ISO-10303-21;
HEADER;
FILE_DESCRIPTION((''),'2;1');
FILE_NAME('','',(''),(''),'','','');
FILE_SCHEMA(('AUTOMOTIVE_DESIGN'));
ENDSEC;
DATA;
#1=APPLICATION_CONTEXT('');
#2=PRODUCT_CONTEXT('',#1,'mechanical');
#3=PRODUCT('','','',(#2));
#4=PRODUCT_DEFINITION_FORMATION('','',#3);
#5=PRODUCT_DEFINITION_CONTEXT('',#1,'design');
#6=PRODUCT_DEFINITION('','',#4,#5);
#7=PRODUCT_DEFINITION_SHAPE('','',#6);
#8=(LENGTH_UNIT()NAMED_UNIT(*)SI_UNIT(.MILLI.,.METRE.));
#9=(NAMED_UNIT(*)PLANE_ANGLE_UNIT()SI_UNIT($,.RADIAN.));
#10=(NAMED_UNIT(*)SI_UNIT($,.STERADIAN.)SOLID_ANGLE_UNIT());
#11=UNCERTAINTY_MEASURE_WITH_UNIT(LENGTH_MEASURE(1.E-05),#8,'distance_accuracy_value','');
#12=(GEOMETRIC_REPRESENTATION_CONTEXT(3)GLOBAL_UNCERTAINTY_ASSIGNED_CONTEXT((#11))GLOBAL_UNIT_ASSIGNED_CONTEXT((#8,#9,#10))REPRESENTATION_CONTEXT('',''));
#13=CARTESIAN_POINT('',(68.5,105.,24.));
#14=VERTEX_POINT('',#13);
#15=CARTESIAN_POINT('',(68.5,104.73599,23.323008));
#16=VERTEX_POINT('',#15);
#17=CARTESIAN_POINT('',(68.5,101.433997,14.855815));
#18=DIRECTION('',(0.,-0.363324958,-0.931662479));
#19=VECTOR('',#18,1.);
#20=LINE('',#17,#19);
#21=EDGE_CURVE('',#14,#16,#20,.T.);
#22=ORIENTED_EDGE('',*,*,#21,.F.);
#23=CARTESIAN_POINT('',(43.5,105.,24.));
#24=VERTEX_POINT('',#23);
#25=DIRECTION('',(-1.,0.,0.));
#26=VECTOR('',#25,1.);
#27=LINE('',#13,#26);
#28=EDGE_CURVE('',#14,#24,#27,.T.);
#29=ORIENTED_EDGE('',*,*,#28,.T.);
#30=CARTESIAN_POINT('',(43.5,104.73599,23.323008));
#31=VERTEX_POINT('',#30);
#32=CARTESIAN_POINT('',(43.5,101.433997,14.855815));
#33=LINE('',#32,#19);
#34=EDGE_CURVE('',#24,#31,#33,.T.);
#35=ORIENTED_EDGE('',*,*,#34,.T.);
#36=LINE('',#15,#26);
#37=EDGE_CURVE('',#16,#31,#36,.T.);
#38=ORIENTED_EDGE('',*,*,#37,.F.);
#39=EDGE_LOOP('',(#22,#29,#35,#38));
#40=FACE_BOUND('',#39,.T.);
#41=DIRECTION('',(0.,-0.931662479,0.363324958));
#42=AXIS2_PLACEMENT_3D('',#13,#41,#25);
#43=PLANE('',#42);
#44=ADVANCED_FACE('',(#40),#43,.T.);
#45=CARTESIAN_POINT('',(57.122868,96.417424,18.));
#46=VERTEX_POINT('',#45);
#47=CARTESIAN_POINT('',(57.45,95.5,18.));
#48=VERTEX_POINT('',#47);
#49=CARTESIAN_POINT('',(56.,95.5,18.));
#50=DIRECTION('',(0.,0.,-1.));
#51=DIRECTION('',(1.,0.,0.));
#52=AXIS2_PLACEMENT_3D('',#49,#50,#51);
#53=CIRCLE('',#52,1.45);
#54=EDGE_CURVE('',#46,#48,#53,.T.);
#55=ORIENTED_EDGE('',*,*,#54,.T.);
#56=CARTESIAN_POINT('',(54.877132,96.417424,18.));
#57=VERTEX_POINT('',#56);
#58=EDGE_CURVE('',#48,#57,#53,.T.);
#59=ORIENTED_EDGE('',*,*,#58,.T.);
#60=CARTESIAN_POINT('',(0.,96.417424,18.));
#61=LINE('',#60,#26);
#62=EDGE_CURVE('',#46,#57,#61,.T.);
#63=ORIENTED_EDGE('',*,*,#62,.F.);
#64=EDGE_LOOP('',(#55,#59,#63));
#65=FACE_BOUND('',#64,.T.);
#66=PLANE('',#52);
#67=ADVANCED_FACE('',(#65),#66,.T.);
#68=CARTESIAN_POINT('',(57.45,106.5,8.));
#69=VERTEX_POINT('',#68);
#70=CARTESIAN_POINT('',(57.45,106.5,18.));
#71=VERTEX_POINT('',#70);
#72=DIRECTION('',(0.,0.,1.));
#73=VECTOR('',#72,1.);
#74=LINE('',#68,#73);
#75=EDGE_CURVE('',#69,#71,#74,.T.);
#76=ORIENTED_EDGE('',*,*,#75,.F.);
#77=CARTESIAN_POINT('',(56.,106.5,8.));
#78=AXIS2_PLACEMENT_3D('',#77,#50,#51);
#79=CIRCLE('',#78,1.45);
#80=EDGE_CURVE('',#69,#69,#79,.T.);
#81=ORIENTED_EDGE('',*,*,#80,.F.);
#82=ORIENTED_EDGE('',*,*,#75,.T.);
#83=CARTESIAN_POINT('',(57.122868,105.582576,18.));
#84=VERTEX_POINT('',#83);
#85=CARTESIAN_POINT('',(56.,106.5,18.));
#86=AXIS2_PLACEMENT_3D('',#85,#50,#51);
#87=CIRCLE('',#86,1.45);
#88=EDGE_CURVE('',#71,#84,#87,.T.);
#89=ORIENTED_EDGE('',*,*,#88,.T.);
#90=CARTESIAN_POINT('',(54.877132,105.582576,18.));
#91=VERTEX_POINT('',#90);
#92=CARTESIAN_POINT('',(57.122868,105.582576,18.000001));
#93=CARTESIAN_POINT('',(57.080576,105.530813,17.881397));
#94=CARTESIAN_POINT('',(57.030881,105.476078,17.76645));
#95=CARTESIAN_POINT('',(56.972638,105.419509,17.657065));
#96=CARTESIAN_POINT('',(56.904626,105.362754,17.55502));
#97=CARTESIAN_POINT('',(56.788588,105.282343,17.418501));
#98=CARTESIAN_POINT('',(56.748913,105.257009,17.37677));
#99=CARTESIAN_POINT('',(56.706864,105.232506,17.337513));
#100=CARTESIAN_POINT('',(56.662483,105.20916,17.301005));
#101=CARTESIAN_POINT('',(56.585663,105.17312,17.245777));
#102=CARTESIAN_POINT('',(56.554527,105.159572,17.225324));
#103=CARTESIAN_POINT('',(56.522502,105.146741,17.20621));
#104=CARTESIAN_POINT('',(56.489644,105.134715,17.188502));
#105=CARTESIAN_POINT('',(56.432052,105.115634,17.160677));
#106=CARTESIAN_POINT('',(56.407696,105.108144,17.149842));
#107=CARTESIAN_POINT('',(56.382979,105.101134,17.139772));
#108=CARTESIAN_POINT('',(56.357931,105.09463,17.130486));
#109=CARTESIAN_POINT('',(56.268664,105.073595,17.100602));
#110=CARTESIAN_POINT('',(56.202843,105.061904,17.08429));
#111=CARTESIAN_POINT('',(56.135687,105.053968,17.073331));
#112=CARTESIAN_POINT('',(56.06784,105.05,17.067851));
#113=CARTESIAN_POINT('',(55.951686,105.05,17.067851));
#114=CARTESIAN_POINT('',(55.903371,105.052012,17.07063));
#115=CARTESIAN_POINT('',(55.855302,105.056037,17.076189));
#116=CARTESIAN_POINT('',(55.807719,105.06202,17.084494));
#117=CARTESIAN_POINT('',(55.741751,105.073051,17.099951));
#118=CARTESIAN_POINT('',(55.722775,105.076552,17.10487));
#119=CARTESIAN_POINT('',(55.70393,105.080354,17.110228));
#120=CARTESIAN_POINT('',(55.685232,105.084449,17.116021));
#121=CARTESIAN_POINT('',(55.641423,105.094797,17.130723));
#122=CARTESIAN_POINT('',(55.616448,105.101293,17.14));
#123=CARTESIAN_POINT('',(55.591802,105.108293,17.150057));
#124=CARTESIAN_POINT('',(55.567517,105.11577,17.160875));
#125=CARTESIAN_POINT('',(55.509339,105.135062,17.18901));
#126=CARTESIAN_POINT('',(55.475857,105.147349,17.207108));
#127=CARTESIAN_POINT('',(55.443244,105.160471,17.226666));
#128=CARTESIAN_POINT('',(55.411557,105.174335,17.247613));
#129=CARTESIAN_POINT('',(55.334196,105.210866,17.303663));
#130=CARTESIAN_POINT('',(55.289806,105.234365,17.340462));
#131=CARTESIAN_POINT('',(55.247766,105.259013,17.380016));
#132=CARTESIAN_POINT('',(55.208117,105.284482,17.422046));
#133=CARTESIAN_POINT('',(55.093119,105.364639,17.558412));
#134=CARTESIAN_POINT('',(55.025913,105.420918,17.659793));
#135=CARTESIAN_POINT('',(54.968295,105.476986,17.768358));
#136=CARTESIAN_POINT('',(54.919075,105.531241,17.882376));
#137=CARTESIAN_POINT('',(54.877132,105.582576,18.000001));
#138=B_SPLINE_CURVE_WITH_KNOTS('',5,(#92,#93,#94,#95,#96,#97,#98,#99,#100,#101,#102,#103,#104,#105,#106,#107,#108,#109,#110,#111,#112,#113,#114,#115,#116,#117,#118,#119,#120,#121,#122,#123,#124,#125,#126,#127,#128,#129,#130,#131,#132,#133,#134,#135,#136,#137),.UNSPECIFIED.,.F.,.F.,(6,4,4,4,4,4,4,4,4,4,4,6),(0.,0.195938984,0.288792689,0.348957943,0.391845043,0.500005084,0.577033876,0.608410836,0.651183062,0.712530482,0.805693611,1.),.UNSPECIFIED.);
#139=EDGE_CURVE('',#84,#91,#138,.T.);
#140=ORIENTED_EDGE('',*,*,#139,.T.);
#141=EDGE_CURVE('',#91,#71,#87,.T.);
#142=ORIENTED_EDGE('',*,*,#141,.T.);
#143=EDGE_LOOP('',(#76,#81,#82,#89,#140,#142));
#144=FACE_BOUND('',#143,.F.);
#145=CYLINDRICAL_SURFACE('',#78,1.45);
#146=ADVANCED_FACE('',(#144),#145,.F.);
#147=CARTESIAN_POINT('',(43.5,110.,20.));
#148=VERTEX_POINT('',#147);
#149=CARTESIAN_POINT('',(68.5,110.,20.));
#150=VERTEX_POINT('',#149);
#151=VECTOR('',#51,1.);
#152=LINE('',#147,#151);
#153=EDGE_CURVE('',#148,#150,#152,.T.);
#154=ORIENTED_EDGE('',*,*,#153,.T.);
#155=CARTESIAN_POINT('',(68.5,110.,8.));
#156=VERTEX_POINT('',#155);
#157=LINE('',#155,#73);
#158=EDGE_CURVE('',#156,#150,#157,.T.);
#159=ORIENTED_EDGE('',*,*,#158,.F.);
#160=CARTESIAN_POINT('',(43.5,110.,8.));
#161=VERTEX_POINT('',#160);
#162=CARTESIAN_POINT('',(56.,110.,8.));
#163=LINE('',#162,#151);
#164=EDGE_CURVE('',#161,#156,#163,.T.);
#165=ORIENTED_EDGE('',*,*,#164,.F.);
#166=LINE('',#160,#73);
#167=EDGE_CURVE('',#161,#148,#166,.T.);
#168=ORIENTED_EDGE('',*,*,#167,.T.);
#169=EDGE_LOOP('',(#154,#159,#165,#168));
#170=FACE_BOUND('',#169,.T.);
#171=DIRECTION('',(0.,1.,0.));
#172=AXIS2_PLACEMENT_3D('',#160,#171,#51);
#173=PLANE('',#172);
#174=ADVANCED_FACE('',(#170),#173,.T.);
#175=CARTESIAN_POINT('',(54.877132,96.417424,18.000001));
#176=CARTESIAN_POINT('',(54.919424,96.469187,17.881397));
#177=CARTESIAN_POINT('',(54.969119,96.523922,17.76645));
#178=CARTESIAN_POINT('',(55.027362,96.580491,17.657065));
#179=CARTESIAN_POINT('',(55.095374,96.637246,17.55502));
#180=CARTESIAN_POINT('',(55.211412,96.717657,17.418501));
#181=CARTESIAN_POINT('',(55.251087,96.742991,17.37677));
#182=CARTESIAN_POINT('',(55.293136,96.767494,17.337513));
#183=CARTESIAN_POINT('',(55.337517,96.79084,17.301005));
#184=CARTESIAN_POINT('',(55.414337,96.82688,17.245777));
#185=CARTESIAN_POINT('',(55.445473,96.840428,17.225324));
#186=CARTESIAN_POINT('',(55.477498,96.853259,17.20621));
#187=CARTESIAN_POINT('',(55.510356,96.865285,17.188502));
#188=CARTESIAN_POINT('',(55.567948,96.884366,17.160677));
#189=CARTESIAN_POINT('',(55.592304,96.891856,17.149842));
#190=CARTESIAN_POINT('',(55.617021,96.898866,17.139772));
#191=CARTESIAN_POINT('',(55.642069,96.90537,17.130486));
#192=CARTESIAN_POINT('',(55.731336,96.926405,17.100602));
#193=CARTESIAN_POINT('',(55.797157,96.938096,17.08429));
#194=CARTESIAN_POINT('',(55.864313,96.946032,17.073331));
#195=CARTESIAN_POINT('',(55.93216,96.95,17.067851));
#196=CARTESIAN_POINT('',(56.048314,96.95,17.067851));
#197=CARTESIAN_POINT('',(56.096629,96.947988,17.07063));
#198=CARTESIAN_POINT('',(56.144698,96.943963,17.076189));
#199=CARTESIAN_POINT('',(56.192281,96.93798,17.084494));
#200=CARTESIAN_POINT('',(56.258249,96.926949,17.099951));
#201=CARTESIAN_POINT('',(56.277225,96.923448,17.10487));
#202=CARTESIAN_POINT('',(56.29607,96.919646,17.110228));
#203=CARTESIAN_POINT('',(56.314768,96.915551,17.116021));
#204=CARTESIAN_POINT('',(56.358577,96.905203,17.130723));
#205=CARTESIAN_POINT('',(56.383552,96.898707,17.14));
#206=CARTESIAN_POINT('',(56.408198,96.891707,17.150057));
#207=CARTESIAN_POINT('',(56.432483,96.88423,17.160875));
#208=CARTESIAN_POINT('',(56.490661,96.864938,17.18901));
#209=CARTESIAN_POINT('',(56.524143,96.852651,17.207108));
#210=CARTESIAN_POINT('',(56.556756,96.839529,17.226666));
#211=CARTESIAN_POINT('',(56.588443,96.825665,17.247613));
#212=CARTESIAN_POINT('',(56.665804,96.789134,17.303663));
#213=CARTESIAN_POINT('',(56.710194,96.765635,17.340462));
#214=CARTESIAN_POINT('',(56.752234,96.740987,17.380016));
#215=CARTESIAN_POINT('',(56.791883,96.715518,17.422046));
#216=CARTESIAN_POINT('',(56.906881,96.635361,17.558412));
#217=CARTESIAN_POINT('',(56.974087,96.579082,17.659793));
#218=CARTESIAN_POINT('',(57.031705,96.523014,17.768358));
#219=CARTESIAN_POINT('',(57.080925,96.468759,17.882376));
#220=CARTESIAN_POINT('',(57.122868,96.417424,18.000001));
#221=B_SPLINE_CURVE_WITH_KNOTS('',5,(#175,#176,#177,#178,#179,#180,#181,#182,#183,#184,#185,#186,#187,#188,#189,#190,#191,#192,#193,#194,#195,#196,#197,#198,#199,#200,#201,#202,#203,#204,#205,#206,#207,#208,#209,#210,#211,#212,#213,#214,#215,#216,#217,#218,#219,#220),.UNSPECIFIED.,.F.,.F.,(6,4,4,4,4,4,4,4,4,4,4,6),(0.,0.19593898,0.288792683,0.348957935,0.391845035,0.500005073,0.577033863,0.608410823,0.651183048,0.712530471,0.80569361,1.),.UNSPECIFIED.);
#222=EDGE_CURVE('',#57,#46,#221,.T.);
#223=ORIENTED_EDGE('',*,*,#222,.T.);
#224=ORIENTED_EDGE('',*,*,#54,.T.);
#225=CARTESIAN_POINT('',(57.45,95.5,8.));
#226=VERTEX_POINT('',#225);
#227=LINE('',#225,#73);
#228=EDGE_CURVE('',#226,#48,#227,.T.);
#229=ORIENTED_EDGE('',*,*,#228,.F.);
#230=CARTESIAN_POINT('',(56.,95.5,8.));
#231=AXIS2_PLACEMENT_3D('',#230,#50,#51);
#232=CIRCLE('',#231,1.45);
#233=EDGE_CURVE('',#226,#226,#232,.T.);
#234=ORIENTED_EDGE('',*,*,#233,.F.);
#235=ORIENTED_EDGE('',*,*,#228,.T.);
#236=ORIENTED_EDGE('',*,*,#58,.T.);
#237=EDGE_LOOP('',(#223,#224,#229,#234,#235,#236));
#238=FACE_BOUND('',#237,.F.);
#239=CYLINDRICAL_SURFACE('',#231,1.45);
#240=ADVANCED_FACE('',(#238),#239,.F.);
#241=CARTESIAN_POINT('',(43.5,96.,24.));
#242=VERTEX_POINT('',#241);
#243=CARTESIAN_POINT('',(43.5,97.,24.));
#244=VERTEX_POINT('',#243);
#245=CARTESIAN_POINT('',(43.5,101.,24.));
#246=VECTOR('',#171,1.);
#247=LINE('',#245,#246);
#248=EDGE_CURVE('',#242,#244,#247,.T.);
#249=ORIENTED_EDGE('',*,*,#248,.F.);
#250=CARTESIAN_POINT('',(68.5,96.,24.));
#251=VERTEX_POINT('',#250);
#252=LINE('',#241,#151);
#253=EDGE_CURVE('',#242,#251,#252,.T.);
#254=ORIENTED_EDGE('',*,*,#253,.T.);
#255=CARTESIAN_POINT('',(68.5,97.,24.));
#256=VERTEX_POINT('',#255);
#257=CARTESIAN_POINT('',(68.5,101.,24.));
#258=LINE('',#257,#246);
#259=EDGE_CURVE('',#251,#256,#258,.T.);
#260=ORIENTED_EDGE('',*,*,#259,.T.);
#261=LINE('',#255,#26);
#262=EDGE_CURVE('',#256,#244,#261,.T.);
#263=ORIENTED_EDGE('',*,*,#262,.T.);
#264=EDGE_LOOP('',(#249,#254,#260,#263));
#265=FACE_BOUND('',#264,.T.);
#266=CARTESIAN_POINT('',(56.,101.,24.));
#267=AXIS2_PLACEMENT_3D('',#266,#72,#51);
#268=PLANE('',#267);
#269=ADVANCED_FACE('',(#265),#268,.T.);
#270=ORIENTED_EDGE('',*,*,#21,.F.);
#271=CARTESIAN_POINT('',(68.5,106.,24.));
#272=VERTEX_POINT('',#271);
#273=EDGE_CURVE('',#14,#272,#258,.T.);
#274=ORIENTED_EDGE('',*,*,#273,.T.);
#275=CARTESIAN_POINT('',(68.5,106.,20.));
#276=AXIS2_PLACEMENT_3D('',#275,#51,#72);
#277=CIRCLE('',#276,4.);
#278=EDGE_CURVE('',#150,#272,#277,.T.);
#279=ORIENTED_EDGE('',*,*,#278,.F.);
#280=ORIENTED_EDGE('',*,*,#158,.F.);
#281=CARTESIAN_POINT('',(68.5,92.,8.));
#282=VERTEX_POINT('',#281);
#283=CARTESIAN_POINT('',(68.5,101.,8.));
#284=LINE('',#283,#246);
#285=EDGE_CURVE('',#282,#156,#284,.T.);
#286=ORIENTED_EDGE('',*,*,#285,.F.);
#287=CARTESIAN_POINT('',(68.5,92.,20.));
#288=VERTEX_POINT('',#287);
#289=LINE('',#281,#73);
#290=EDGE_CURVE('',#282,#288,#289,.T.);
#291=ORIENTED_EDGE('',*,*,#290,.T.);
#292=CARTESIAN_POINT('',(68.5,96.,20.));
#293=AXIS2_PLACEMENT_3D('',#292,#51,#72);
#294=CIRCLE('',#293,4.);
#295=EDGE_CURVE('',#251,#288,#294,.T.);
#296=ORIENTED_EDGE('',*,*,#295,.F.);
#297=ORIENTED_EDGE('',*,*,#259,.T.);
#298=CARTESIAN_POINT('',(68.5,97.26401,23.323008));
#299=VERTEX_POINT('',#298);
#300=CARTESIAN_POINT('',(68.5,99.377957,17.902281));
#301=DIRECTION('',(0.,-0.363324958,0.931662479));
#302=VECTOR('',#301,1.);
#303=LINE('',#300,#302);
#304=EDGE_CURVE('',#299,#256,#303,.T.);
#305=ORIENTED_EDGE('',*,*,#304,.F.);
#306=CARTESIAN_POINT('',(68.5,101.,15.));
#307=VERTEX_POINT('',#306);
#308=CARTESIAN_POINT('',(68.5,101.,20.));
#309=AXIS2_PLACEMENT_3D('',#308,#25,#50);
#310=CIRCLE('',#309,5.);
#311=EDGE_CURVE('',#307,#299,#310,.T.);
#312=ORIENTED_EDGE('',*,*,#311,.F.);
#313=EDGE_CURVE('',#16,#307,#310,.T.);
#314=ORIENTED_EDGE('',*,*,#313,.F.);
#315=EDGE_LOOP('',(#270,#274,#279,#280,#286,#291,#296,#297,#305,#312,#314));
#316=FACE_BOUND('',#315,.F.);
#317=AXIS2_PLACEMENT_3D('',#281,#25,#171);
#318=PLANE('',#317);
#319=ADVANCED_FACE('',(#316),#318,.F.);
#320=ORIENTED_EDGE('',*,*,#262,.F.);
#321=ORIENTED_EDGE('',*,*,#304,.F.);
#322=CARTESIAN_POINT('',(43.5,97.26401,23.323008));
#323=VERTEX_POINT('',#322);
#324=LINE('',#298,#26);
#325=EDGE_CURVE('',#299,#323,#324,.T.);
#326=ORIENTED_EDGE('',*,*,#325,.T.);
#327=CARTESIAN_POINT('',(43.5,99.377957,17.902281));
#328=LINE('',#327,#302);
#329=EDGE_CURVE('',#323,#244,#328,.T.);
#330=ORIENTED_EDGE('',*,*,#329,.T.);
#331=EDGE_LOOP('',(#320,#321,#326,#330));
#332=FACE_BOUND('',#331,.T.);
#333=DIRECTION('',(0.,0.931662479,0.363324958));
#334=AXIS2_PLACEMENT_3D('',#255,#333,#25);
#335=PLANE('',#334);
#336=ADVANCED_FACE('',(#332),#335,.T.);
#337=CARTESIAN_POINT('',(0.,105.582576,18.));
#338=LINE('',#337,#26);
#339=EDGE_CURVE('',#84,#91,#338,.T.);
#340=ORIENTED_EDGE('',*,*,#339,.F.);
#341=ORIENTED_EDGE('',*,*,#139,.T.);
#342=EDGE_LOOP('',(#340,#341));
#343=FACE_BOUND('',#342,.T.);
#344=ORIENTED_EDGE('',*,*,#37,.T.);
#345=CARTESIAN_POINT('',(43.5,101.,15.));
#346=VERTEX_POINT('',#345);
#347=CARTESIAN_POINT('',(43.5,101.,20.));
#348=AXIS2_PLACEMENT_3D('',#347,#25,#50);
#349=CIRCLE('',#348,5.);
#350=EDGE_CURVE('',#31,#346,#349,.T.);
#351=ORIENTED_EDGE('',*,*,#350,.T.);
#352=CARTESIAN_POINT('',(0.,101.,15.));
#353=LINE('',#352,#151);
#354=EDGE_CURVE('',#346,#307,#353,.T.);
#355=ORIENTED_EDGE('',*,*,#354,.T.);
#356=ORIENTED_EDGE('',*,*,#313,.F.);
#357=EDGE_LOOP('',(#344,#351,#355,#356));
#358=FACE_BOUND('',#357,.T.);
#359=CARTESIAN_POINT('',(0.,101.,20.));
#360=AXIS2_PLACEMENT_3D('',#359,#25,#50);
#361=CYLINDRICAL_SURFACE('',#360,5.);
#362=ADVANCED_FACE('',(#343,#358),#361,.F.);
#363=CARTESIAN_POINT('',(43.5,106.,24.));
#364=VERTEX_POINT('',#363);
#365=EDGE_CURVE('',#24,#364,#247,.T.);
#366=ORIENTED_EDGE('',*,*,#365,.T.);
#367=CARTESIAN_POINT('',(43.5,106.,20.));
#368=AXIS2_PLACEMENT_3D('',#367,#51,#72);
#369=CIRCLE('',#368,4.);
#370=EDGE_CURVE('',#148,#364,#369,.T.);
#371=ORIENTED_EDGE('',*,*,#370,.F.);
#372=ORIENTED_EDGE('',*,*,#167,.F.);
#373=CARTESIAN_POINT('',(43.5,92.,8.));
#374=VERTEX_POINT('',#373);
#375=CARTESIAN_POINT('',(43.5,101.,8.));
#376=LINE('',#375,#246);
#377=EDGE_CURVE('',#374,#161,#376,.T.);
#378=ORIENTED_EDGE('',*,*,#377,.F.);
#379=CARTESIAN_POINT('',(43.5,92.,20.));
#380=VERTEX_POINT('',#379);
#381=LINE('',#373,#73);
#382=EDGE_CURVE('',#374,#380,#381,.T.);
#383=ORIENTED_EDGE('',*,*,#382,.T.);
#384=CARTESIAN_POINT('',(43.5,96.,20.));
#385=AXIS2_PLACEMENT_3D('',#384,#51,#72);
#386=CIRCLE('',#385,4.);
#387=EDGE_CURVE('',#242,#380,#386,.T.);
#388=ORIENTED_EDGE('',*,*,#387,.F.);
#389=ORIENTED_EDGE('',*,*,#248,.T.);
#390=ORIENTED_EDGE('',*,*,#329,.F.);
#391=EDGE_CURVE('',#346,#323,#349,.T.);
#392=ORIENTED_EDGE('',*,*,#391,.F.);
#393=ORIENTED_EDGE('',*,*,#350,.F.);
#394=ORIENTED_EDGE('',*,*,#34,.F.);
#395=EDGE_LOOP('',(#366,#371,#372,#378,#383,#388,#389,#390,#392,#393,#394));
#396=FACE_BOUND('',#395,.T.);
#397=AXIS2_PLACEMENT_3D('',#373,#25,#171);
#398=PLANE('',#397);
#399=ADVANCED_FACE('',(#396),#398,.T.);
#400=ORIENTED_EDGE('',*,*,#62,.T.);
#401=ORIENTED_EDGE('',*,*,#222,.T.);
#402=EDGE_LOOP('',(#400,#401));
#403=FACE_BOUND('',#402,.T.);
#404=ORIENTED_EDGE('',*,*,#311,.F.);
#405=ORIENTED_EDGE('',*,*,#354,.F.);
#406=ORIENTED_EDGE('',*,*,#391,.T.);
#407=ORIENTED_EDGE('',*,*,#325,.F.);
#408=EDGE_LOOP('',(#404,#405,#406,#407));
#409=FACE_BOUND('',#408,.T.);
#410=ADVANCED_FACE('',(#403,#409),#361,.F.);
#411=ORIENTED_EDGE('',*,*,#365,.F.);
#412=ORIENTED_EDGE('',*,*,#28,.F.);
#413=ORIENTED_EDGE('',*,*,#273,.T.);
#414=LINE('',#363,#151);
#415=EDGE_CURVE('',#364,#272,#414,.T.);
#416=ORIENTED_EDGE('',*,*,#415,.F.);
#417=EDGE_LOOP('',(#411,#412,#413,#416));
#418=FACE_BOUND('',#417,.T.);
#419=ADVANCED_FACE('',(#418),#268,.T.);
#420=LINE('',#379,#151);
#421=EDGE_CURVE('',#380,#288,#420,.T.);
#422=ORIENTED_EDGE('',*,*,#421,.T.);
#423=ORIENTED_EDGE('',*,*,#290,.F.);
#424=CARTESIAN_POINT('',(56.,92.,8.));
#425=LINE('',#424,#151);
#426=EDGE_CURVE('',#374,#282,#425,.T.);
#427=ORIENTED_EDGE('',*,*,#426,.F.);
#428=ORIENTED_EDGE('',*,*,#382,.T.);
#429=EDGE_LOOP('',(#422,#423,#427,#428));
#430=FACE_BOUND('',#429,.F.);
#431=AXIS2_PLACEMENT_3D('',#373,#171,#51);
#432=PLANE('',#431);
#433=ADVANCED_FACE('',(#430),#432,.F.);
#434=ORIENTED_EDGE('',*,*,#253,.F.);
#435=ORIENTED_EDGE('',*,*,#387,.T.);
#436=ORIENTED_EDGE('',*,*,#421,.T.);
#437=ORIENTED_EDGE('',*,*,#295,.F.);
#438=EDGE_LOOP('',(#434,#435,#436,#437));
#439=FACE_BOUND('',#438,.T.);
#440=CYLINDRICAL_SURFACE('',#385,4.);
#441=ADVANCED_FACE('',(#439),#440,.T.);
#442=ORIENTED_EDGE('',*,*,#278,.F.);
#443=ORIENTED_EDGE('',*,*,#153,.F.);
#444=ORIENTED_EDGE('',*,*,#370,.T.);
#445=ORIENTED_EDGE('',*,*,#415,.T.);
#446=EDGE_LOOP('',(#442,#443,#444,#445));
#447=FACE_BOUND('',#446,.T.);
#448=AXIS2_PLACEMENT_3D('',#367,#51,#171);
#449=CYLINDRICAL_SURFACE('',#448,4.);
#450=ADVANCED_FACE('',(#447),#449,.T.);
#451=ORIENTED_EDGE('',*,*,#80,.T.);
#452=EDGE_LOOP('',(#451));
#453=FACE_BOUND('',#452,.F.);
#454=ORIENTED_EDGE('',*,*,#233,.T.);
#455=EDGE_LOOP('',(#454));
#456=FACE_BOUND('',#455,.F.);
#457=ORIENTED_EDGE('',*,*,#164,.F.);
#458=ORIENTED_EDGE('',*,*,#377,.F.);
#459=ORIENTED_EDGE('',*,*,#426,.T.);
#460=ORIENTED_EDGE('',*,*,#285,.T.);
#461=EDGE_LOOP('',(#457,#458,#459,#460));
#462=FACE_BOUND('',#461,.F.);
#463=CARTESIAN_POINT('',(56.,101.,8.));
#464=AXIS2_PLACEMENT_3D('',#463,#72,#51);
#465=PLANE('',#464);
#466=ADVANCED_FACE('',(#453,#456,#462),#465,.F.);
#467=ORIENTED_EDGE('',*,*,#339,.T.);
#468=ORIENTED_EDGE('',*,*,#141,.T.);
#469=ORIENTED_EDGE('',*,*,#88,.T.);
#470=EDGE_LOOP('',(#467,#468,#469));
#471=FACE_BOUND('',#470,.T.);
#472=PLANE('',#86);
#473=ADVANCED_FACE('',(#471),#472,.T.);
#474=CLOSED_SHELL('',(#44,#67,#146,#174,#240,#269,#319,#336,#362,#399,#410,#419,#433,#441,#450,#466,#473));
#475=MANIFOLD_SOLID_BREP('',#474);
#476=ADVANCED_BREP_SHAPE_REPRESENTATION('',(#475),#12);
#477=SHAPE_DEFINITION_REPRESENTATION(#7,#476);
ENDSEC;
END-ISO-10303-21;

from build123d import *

# Parameters (mm, degrees)
CYLINDER_R           = 5
CYLINDER_DEPTH       = 200
CYLINDER_PITCH_ANGLE = 90
BOX004_W             = 25
BOX004_H             = 18
BOX004_DEPTH         = 16
SKETCH005_R          = 1.45
POCKET005_DEPTH      = 10
FILLET001_R          = 4
CHAMFER003_SIZE      = 1


with BuildPart() as cylinder:
    # Cylinder → Cylinder (new body)
    with BuildSketch(Plane.XY):
        Circle(CYLINDER_R)
    extrude(amount=CYLINDER_DEPTH)


with BuildPart() as cylinder_1:
    # Cylinder pitch: moved
    add(cylinder.part.rotate(Axis((0, 0, 0), (0, 1, 0)), CYLINDER_PITCH_ANGLE))


with BuildPart() as cylinder_2:
    # Cylinder placement: moved
    add(cylinder_1.part.moved(Location((0, 121, 20))))


with BuildPart() as chamfer003:
    # Box004 → Box004 (new body)
    with BuildSketch(Plane(origin=(43.5, 112, 8), x_dir=(1, 0, 0), z_dir=(0, 0, 1))):
        with Locations((12.5, 9)):
            Rectangle(BOX004_W, BOX004_H)
    extrude(amount=BOX004_DEPTH)

    # Sketch005 → Pocket005 (cut)
    with BuildSketch(Plane(origin=(43.5, 112, 8), x_dir=(1, 0, 0), z_dir=(0, 0, -1))):
        with Locations((12.5, -3.5)):
            Circle(SKETCH005_R)
        with Locations((12.5, -14.5)):
            Circle(SKETCH005_R)
    extrude(amount=-POCKET005_DEPTH, mode=Mode.SUBTRACT)

    # Cut: cut Cylinder
    add(cylinder_2.part, mode=Mode.SUBTRACT)


with BuildPart() as chamfer003_1:
    # Cut placement: moved
    add(chamfer003.part.moved(Location((0, -20, 0))))

    # Fillet001
    fillet001_edges = [chamfer003_1.edges().sort_by_distance(p)[0] for p in [
        (56, 110, 24),
        (56, 92, 24),
    ]]
    fillet(fillet001_edges, radius=FILLET001_R)

    # Chamfer003
    chamfer003_edges = [chamfer003_1.edges().sort_by_distance(p)[0] for p in [
        (56, 104, 24),
        (56, 98, 24),
    ]]
    chamfer(chamfer003_edges, length=CHAMFER003_SIZE)


solid = chamfer003_1.part
